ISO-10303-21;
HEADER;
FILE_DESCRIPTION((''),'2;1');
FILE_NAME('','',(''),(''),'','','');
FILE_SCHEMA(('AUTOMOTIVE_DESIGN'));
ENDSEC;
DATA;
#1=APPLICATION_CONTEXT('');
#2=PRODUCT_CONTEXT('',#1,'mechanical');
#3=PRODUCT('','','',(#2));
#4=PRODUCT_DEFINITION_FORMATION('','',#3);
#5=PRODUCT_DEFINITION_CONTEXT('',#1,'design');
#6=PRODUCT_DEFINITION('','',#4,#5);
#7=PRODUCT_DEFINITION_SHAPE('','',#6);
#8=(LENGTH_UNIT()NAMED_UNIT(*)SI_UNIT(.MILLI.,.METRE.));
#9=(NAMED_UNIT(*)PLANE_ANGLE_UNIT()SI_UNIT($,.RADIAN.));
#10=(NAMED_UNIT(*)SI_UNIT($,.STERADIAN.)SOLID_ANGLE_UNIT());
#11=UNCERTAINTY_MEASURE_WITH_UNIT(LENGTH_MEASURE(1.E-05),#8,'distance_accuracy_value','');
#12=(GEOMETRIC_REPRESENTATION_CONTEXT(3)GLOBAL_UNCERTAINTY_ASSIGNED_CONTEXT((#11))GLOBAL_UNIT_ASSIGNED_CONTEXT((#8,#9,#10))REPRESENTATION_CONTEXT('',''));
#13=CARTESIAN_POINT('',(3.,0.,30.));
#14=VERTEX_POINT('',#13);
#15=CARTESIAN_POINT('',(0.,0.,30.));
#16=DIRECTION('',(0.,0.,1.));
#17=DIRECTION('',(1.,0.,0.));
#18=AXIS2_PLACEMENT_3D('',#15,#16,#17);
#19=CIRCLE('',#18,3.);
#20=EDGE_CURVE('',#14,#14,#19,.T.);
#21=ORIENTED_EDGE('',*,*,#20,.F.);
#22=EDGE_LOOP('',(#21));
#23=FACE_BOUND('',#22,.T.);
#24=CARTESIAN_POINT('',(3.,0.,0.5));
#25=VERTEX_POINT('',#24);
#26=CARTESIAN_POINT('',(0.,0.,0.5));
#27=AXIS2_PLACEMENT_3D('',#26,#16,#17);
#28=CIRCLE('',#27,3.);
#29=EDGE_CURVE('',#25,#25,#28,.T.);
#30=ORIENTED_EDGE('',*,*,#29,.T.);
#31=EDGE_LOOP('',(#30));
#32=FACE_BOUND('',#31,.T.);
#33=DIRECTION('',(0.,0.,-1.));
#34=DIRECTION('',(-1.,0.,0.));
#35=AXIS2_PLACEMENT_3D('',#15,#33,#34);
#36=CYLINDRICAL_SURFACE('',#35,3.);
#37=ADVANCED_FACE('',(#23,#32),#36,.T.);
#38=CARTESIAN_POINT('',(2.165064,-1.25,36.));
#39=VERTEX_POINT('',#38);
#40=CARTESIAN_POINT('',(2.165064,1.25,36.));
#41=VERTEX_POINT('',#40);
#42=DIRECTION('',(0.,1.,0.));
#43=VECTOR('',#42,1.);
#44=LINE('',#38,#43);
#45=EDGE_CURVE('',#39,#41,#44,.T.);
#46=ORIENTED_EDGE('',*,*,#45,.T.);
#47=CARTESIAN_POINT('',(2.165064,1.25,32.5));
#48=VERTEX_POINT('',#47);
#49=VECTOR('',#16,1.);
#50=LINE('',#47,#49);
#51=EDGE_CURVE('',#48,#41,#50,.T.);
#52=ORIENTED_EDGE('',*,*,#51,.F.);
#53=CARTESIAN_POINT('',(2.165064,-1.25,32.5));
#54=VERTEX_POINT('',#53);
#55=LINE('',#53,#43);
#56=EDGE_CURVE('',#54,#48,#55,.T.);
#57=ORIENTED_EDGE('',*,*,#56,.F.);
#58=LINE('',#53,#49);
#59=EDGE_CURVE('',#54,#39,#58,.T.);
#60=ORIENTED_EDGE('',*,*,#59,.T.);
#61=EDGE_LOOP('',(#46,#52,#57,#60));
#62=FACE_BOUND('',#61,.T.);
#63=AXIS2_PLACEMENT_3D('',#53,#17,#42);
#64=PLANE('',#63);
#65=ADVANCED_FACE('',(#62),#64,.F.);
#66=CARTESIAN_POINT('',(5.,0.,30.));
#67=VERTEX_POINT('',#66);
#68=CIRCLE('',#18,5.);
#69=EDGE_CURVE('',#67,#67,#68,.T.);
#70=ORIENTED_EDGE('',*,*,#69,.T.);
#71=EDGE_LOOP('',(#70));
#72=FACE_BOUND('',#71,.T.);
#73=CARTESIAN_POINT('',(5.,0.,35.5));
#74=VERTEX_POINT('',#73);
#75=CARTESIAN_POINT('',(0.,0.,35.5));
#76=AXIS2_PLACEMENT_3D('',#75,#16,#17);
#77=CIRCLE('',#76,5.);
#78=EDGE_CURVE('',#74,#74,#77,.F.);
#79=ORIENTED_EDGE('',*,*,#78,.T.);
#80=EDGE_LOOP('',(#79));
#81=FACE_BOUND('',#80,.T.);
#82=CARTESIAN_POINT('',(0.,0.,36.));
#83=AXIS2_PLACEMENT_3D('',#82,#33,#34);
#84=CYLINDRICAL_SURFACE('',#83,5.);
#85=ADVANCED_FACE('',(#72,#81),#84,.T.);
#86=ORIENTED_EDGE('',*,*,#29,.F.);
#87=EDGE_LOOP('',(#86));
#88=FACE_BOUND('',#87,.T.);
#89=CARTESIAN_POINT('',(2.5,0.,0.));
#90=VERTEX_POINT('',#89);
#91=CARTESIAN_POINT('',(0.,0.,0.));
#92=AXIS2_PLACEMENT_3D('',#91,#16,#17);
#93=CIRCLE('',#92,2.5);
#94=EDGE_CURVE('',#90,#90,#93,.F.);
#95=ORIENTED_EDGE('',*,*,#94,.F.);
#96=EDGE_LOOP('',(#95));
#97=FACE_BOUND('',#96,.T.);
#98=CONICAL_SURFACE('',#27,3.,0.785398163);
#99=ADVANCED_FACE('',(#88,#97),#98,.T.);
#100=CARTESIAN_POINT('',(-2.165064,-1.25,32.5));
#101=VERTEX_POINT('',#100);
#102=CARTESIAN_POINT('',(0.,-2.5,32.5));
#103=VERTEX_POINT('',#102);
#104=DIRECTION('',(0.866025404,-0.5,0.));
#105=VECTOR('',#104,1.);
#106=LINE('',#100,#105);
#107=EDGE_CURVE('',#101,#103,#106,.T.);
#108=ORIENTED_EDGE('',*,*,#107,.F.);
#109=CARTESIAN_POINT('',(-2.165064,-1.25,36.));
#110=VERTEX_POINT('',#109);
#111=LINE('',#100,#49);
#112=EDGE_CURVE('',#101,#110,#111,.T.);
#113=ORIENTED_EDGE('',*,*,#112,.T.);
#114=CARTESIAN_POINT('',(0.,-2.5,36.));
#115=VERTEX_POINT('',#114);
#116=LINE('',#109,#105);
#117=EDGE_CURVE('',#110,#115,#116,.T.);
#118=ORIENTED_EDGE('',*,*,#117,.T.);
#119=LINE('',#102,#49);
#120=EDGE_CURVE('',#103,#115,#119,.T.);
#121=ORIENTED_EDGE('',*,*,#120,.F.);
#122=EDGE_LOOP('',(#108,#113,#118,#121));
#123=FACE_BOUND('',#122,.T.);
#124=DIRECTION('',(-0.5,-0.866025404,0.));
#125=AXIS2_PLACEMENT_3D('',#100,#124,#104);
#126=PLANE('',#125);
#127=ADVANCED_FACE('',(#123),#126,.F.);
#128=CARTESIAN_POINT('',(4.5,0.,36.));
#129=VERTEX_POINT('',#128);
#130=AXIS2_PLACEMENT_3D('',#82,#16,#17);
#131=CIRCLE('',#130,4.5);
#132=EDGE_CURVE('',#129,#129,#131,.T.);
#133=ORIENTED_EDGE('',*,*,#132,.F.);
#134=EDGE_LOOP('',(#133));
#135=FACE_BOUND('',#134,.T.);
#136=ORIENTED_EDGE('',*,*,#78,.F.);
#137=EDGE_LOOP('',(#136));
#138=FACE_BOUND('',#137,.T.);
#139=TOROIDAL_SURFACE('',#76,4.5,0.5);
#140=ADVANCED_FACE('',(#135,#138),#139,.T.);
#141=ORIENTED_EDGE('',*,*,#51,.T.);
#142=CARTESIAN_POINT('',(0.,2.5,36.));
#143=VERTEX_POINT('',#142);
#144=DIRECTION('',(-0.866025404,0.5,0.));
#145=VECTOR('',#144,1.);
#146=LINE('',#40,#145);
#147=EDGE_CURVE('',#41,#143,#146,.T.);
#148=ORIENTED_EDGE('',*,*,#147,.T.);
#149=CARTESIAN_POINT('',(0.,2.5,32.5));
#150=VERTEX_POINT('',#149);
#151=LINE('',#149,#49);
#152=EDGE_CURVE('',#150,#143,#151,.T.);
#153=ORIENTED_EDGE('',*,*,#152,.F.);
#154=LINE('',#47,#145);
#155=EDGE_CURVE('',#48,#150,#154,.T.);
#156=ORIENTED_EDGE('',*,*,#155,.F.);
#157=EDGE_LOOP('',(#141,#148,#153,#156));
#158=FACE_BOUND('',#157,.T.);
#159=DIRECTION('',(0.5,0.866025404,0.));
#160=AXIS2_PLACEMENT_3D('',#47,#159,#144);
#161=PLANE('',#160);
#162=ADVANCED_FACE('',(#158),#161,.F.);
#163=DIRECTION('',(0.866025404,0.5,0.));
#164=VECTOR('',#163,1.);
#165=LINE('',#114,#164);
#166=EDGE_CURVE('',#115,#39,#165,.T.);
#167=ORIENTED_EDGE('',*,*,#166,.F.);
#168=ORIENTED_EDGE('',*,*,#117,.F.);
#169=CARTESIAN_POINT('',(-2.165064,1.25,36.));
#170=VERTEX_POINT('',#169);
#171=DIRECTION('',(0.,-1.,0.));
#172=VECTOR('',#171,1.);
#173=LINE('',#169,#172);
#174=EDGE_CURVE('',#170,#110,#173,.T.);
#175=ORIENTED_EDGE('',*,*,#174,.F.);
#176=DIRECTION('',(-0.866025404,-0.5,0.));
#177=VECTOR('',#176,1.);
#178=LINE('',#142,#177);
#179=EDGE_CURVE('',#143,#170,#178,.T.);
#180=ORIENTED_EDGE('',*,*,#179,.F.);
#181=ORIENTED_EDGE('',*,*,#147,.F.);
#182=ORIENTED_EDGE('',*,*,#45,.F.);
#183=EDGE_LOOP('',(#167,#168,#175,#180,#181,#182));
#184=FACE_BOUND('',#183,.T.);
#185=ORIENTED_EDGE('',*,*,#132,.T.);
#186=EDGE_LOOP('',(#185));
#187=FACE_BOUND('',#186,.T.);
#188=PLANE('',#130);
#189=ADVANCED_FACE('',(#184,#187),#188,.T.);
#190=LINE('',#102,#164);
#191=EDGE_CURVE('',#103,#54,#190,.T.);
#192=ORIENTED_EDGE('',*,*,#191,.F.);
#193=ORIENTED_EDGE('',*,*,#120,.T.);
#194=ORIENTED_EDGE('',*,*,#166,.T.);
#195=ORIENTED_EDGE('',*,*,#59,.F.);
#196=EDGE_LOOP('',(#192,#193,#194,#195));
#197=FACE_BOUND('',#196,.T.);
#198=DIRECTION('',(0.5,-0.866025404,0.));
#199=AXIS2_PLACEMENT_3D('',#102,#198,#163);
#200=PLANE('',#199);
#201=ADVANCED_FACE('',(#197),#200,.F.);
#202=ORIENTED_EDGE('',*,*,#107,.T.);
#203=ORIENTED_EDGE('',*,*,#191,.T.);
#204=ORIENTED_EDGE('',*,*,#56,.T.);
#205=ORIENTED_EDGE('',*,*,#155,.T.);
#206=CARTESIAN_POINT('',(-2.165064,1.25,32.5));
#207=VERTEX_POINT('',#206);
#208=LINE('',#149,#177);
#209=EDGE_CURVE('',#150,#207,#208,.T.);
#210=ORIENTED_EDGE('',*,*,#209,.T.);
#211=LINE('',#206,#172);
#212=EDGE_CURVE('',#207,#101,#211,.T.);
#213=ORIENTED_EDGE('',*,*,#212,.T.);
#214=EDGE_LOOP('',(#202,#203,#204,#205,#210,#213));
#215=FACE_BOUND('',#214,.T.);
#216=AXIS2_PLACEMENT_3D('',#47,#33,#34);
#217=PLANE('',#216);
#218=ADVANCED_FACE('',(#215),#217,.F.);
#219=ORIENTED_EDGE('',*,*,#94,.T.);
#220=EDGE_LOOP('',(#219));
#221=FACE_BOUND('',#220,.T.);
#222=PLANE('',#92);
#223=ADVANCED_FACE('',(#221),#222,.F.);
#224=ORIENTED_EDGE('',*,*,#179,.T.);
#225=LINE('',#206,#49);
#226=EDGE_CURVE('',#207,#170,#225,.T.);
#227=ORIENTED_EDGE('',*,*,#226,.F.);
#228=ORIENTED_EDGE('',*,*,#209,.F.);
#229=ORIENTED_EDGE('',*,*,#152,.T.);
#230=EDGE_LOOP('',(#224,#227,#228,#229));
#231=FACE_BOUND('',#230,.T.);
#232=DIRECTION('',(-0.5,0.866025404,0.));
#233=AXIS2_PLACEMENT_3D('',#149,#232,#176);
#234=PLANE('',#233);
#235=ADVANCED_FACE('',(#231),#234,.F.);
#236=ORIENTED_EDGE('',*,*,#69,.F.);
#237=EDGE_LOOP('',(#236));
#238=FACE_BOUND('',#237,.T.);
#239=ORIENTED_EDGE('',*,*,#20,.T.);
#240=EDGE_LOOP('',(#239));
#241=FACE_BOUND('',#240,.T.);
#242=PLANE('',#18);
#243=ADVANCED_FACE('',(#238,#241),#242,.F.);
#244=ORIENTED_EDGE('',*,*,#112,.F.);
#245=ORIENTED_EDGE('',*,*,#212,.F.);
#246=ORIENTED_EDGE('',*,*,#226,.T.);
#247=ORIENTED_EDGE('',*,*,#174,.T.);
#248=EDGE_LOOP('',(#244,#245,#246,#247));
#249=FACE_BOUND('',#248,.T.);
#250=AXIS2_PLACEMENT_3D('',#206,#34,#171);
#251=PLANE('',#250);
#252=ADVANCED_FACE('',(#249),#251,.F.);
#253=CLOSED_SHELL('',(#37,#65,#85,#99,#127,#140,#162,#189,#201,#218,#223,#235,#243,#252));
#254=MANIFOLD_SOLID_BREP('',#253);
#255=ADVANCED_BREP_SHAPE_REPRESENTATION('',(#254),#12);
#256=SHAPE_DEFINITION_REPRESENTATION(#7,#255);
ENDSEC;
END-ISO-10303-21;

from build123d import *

# Parameters (mm, degrees)
ESQUISSE1_R             = 3
BASE_EXTRUSION_DEPTH    = 36
CHANFREIN1_SIZE         = 0.5
ESQUISSE2_R             = 5
BOSS_EXTRU_1_DEPTH      = 6
ENL_V_MAT_EXTRU_1_DEPTH = 3.5
CONG_2_R                = 0.5


with BuildPart() as part:
    # Esquisse1 → Base-Extrusion (new body)
    with BuildSketch(Plane.XY):
        Circle(ESQUISSE1_R)
    extrude(amount=BASE_EXTRUSION_DEPTH)

    # Chanfrein1
    chanfrein1_edges = [part.edges().sort_by_distance(p)[0] for p in [
        (-3, 0, 0),
    ]]
    chamfer(chanfrein1_edges, length=CHANFREIN1_SIZE)

    # Esquisse2 → Boss.-Extru.1 (add)
    with BuildSketch(Plane.XY.offset(30)):
        Circle(ESQUISSE2_R)
    extrude(amount=BOSS_EXTRU_1_DEPTH)

    # Esquisse3 → Enlèv. mat.-Extru.1 (cut)
    with BuildSketch(Plane.XY.offset(36)):
        Polygon((0, 2.5), (-2.165063509, 1.25), (-2.165063509, -1.25), (0, -2.5), (2.165063509, -1.25), (2.165063509, 1.25), align=None)
    extrude(amount=-ENL_V_MAT_EXTRU_1_DEPTH, mode=Mode.SUBTRACT)

    # Congé2
    cong_2_edges = [part.edges().sort_by_distance(p)[0] for p in [
        (-5, 0, 36),
    ]]
    fillet(cong_2_edges, radius=CONG_2_R)


solid = part.part
